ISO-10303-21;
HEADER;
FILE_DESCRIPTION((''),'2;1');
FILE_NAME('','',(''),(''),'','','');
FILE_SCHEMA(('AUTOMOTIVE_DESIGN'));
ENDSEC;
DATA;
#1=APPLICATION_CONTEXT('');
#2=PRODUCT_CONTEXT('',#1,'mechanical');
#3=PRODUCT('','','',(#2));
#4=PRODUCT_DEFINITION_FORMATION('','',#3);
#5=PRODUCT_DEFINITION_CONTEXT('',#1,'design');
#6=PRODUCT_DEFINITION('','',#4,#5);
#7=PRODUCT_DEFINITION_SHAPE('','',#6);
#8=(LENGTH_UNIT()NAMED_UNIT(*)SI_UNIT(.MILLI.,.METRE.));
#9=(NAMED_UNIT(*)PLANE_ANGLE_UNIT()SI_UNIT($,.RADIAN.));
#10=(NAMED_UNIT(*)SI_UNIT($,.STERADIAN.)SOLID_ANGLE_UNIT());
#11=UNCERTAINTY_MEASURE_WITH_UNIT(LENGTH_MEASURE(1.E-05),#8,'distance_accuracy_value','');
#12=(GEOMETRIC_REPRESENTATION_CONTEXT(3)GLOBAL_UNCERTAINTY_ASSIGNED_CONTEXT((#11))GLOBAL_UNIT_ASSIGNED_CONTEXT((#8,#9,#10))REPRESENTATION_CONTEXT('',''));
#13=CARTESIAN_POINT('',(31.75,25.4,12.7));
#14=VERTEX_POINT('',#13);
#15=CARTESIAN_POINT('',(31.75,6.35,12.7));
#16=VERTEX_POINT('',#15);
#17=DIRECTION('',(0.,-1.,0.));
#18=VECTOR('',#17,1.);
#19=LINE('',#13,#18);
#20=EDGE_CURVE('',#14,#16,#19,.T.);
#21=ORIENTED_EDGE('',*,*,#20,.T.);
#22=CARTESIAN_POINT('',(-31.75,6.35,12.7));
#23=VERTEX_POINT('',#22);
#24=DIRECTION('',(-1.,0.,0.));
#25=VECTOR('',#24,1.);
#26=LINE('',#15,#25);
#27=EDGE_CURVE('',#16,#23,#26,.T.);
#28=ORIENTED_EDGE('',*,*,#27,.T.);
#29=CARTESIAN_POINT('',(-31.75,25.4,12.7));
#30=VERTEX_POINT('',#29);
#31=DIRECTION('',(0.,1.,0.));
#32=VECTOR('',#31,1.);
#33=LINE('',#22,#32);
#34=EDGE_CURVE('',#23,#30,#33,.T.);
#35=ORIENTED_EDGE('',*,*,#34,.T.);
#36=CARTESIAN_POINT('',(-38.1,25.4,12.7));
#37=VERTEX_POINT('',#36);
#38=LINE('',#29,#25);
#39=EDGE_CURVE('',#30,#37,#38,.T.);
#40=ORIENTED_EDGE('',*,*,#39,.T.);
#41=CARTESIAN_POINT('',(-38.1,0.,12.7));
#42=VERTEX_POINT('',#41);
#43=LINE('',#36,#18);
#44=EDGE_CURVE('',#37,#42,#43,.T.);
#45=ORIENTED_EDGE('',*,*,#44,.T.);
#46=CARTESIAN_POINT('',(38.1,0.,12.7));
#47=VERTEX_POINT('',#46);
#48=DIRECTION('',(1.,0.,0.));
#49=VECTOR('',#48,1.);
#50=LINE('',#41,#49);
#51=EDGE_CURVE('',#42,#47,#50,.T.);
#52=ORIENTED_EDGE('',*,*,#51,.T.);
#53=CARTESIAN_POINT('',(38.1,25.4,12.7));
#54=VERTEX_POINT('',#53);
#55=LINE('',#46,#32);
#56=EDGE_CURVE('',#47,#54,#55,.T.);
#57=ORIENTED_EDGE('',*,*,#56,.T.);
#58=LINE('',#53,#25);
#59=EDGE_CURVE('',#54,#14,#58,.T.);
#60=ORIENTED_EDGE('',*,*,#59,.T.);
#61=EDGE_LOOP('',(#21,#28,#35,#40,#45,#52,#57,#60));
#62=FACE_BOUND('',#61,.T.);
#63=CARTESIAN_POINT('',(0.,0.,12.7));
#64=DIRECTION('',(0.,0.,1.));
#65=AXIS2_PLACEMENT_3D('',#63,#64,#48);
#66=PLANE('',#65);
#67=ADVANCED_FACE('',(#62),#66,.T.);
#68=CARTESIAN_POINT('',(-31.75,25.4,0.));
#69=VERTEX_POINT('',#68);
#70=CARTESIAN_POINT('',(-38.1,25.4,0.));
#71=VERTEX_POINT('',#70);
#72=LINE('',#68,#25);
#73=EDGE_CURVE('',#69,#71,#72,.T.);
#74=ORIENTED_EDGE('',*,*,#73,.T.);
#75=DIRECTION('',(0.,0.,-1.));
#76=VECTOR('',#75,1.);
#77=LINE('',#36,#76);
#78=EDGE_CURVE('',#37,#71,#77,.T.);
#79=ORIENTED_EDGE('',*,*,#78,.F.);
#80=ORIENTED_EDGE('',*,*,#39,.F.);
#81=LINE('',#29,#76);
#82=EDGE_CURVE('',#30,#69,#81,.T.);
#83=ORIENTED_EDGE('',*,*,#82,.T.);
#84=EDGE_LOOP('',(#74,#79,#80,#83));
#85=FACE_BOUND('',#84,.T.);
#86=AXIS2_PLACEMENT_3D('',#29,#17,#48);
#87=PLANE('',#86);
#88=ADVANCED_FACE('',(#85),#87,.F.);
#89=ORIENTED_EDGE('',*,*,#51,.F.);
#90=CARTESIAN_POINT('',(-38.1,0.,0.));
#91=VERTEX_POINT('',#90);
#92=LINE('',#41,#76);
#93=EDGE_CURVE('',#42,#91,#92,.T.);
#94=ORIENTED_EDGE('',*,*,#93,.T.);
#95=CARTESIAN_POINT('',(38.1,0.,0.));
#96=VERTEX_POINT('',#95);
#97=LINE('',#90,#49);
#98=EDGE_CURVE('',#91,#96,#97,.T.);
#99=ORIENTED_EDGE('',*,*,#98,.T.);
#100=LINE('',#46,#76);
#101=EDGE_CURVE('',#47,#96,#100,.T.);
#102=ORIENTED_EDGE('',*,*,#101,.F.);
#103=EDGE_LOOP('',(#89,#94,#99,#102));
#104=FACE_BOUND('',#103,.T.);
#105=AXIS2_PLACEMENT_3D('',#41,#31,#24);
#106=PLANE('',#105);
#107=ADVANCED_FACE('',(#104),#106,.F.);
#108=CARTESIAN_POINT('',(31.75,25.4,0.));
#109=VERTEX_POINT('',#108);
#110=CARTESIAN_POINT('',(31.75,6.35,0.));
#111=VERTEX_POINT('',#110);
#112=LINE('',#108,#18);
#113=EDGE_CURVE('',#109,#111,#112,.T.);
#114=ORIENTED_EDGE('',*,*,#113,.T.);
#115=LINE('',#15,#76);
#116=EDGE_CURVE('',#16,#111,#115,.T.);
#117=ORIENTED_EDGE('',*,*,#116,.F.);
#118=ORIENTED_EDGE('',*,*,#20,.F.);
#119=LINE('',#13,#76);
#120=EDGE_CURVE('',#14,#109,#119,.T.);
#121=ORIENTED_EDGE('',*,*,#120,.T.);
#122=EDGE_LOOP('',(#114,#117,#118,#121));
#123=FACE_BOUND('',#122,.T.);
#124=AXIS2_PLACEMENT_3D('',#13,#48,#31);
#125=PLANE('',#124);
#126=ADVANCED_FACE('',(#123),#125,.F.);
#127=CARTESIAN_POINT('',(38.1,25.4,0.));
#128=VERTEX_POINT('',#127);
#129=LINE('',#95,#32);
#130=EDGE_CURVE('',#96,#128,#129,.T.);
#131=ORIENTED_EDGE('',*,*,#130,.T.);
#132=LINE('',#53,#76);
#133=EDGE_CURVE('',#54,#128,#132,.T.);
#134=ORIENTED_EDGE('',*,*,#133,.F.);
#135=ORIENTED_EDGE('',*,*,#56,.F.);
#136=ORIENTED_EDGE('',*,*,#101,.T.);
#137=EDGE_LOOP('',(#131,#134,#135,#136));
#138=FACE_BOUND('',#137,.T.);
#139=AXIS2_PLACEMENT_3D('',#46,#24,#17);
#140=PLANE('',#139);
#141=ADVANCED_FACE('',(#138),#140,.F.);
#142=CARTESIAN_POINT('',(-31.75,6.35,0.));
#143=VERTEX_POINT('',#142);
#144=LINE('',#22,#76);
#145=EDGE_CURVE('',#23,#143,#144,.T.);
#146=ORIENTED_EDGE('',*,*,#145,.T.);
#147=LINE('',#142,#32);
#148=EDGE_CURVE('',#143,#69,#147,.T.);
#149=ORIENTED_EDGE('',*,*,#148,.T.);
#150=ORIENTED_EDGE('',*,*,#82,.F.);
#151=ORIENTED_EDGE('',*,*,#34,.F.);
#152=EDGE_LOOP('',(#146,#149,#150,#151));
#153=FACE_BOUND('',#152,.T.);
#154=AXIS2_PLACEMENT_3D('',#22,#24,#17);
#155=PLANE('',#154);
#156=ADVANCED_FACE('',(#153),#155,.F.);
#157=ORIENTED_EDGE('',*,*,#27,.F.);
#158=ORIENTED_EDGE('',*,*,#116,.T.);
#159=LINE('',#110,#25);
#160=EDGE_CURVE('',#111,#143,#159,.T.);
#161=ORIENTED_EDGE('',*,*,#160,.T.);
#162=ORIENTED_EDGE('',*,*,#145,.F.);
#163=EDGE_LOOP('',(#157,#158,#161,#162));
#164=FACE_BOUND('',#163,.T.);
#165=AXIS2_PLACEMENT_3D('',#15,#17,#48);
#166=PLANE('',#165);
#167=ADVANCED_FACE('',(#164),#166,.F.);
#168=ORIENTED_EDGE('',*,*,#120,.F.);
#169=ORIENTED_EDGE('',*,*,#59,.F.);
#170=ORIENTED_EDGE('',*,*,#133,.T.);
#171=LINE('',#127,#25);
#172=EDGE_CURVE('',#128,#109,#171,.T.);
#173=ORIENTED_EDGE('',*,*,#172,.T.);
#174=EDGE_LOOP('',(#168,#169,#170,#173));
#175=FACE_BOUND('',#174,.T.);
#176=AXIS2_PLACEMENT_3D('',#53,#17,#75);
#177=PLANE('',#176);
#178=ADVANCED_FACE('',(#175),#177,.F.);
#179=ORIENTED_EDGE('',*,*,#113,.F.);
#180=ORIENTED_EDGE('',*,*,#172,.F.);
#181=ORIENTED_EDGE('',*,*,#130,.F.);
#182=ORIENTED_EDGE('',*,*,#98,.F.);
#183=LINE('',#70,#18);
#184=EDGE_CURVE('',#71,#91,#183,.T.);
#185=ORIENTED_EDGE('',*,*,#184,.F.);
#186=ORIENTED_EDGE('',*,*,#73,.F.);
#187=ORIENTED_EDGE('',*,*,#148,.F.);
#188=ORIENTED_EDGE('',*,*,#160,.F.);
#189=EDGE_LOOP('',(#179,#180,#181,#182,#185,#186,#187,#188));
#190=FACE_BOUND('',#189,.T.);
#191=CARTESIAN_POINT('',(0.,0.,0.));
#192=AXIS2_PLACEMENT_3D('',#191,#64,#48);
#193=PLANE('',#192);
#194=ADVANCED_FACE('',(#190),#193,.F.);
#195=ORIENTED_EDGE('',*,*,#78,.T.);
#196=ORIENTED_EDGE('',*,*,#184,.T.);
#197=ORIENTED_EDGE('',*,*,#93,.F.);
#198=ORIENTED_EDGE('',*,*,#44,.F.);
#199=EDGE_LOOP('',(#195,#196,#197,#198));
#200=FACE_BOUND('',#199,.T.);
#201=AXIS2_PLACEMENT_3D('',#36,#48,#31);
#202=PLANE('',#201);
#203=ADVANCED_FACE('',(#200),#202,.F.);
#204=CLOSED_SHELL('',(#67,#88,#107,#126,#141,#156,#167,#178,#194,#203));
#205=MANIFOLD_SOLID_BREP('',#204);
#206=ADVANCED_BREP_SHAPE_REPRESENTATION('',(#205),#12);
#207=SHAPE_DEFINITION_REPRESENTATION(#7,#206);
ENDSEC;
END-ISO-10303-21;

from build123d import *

# Parameters (mm, degrees)
BOSS_EXTRUDE1_DEPTH = 12.7


with BuildPart() as part:
    # Sketch1 → Boss-Extrude1 (new body)
    with BuildSketch(Plane.XY):
        Polygon((-38.1, 0), (38.1, 0), (38.1, 25.4), (31.75, 25.4), (31.75, 6.35), (-31.75, 6.35), (-31.75, 25.4), (-38.1, 25.4), align=None)
    extrude(amount=BOSS_EXTRUDE1_DEPTH)


solid = part.part
